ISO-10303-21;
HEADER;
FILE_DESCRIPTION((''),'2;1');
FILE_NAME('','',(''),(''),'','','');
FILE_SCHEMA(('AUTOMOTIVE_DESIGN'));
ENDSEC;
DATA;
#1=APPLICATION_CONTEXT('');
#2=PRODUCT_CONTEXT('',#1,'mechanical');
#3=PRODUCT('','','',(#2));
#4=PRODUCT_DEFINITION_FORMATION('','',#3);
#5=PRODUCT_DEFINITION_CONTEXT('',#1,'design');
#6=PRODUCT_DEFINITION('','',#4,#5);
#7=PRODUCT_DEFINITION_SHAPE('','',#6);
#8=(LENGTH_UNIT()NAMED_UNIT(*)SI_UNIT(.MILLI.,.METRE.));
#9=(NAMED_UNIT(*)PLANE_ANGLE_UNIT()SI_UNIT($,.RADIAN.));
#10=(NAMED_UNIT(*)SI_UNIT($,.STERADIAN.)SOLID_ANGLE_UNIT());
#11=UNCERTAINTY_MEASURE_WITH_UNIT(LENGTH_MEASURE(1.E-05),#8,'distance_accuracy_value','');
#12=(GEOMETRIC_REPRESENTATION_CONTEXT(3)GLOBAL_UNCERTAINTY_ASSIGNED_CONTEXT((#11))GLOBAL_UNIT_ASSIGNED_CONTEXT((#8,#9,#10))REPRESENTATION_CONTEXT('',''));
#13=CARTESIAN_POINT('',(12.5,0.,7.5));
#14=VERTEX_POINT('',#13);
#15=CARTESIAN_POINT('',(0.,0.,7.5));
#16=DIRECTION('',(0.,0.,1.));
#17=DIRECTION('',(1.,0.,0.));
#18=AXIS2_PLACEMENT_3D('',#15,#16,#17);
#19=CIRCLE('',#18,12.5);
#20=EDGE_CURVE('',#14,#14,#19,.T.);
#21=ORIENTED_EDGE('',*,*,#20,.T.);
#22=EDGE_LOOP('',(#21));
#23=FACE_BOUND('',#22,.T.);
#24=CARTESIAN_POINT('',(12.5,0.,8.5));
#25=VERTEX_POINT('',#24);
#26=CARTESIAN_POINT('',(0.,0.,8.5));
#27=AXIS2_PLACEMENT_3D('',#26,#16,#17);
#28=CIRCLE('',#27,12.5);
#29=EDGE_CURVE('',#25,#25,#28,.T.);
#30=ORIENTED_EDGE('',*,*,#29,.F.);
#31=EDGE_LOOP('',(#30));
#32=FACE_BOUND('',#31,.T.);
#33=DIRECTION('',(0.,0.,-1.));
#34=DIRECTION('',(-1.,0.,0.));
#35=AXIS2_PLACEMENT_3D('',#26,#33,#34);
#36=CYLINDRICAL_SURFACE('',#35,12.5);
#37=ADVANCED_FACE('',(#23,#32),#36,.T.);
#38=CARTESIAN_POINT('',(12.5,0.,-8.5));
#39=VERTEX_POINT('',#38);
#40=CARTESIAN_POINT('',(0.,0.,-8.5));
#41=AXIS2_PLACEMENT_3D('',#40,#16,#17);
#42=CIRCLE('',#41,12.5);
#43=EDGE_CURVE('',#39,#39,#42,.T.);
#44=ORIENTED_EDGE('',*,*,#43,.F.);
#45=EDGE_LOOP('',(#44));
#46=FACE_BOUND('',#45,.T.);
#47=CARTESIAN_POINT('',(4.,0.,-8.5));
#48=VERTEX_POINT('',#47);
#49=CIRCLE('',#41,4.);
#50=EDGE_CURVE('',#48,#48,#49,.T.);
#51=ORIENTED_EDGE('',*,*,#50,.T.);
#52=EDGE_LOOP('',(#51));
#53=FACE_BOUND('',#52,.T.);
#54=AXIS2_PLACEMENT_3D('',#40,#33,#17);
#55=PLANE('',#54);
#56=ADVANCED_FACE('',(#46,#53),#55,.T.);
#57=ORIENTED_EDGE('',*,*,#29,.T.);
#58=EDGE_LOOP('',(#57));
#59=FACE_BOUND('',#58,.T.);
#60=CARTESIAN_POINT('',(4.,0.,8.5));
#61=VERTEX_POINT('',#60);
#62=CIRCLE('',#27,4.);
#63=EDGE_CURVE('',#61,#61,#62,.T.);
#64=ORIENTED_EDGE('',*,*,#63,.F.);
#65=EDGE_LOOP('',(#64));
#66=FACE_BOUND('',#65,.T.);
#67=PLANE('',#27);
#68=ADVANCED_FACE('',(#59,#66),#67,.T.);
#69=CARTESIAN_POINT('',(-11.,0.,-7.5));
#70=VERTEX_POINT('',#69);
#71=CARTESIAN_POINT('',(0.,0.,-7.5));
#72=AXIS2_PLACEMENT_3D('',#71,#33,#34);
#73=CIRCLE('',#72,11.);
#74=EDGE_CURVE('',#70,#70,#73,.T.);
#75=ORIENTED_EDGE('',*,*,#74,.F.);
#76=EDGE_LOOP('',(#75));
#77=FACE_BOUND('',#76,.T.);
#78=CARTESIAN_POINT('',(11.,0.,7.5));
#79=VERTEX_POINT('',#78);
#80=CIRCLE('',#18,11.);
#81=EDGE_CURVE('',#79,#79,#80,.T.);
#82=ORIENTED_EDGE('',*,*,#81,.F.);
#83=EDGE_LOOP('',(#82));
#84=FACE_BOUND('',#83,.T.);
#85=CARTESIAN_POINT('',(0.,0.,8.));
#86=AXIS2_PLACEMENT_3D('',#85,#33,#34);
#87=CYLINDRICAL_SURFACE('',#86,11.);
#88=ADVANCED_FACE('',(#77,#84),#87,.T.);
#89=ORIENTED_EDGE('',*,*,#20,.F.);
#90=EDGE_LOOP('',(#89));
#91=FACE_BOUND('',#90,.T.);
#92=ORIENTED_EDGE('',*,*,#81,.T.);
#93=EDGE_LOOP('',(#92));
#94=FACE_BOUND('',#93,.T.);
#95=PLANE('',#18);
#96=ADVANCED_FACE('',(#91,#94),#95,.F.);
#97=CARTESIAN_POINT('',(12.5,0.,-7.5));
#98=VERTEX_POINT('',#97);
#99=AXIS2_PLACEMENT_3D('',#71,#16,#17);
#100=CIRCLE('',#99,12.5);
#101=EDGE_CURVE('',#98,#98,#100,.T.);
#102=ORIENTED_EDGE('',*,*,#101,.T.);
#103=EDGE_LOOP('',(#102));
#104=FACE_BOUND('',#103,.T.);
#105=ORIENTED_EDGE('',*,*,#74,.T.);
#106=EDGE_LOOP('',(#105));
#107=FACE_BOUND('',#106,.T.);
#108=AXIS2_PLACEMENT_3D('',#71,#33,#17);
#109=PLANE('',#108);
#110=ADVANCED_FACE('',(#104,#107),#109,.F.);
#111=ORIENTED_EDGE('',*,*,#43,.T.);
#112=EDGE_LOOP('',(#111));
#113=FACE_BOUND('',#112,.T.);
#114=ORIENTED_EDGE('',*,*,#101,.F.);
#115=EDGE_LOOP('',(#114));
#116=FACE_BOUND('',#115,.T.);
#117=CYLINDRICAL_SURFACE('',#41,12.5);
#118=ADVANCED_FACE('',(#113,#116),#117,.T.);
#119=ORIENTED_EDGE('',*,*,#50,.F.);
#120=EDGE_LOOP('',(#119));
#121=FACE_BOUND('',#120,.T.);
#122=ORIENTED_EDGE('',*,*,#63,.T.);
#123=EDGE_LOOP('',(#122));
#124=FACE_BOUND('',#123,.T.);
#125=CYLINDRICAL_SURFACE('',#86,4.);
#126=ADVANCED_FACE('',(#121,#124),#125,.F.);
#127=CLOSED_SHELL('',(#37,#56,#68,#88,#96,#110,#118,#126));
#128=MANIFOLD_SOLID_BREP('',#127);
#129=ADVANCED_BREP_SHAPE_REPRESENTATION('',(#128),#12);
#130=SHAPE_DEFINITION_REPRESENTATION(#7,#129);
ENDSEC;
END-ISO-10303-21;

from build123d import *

# Parameters (mm, degrees)
SKETCH1_R           = 11
SKETCH1_R_2         = 4
BOSS_EXTRUDE1_DEPTH = 8
SKETCH2_R           = 12.5
SKETCH2_R_2         = 4
BOSS_EXTRUDE2_DEPTH = 0.5


with BuildPart() as part:
    # Sketch1 → Boss-Extrude1 (new, symmetric)
    with BuildSketch(Plane.XY):
        Circle(SKETCH1_R)
        Circle(SKETCH1_R_2, mode=Mode.SUBTRACT)
    extrude(amount=BOSS_EXTRUDE1_DEPTH, both=True)

    # Sketch2 → Boss-Extrude2 (add, symmetric)
    with BuildSketch(Plane.XY.offset(8)):
        Circle(SKETCH2_R)
        Circle(SKETCH2_R_2, mode=Mode.SUBTRACT)
    boss_extrude2 = extrude(amount=BOSS_EXTRUDE2_DEPTH, both=True)

    # Mirror1: Boss-Extrude2 across plane
    add(boss_extrude2.mirror(Plane.XY))


solid = part.part
